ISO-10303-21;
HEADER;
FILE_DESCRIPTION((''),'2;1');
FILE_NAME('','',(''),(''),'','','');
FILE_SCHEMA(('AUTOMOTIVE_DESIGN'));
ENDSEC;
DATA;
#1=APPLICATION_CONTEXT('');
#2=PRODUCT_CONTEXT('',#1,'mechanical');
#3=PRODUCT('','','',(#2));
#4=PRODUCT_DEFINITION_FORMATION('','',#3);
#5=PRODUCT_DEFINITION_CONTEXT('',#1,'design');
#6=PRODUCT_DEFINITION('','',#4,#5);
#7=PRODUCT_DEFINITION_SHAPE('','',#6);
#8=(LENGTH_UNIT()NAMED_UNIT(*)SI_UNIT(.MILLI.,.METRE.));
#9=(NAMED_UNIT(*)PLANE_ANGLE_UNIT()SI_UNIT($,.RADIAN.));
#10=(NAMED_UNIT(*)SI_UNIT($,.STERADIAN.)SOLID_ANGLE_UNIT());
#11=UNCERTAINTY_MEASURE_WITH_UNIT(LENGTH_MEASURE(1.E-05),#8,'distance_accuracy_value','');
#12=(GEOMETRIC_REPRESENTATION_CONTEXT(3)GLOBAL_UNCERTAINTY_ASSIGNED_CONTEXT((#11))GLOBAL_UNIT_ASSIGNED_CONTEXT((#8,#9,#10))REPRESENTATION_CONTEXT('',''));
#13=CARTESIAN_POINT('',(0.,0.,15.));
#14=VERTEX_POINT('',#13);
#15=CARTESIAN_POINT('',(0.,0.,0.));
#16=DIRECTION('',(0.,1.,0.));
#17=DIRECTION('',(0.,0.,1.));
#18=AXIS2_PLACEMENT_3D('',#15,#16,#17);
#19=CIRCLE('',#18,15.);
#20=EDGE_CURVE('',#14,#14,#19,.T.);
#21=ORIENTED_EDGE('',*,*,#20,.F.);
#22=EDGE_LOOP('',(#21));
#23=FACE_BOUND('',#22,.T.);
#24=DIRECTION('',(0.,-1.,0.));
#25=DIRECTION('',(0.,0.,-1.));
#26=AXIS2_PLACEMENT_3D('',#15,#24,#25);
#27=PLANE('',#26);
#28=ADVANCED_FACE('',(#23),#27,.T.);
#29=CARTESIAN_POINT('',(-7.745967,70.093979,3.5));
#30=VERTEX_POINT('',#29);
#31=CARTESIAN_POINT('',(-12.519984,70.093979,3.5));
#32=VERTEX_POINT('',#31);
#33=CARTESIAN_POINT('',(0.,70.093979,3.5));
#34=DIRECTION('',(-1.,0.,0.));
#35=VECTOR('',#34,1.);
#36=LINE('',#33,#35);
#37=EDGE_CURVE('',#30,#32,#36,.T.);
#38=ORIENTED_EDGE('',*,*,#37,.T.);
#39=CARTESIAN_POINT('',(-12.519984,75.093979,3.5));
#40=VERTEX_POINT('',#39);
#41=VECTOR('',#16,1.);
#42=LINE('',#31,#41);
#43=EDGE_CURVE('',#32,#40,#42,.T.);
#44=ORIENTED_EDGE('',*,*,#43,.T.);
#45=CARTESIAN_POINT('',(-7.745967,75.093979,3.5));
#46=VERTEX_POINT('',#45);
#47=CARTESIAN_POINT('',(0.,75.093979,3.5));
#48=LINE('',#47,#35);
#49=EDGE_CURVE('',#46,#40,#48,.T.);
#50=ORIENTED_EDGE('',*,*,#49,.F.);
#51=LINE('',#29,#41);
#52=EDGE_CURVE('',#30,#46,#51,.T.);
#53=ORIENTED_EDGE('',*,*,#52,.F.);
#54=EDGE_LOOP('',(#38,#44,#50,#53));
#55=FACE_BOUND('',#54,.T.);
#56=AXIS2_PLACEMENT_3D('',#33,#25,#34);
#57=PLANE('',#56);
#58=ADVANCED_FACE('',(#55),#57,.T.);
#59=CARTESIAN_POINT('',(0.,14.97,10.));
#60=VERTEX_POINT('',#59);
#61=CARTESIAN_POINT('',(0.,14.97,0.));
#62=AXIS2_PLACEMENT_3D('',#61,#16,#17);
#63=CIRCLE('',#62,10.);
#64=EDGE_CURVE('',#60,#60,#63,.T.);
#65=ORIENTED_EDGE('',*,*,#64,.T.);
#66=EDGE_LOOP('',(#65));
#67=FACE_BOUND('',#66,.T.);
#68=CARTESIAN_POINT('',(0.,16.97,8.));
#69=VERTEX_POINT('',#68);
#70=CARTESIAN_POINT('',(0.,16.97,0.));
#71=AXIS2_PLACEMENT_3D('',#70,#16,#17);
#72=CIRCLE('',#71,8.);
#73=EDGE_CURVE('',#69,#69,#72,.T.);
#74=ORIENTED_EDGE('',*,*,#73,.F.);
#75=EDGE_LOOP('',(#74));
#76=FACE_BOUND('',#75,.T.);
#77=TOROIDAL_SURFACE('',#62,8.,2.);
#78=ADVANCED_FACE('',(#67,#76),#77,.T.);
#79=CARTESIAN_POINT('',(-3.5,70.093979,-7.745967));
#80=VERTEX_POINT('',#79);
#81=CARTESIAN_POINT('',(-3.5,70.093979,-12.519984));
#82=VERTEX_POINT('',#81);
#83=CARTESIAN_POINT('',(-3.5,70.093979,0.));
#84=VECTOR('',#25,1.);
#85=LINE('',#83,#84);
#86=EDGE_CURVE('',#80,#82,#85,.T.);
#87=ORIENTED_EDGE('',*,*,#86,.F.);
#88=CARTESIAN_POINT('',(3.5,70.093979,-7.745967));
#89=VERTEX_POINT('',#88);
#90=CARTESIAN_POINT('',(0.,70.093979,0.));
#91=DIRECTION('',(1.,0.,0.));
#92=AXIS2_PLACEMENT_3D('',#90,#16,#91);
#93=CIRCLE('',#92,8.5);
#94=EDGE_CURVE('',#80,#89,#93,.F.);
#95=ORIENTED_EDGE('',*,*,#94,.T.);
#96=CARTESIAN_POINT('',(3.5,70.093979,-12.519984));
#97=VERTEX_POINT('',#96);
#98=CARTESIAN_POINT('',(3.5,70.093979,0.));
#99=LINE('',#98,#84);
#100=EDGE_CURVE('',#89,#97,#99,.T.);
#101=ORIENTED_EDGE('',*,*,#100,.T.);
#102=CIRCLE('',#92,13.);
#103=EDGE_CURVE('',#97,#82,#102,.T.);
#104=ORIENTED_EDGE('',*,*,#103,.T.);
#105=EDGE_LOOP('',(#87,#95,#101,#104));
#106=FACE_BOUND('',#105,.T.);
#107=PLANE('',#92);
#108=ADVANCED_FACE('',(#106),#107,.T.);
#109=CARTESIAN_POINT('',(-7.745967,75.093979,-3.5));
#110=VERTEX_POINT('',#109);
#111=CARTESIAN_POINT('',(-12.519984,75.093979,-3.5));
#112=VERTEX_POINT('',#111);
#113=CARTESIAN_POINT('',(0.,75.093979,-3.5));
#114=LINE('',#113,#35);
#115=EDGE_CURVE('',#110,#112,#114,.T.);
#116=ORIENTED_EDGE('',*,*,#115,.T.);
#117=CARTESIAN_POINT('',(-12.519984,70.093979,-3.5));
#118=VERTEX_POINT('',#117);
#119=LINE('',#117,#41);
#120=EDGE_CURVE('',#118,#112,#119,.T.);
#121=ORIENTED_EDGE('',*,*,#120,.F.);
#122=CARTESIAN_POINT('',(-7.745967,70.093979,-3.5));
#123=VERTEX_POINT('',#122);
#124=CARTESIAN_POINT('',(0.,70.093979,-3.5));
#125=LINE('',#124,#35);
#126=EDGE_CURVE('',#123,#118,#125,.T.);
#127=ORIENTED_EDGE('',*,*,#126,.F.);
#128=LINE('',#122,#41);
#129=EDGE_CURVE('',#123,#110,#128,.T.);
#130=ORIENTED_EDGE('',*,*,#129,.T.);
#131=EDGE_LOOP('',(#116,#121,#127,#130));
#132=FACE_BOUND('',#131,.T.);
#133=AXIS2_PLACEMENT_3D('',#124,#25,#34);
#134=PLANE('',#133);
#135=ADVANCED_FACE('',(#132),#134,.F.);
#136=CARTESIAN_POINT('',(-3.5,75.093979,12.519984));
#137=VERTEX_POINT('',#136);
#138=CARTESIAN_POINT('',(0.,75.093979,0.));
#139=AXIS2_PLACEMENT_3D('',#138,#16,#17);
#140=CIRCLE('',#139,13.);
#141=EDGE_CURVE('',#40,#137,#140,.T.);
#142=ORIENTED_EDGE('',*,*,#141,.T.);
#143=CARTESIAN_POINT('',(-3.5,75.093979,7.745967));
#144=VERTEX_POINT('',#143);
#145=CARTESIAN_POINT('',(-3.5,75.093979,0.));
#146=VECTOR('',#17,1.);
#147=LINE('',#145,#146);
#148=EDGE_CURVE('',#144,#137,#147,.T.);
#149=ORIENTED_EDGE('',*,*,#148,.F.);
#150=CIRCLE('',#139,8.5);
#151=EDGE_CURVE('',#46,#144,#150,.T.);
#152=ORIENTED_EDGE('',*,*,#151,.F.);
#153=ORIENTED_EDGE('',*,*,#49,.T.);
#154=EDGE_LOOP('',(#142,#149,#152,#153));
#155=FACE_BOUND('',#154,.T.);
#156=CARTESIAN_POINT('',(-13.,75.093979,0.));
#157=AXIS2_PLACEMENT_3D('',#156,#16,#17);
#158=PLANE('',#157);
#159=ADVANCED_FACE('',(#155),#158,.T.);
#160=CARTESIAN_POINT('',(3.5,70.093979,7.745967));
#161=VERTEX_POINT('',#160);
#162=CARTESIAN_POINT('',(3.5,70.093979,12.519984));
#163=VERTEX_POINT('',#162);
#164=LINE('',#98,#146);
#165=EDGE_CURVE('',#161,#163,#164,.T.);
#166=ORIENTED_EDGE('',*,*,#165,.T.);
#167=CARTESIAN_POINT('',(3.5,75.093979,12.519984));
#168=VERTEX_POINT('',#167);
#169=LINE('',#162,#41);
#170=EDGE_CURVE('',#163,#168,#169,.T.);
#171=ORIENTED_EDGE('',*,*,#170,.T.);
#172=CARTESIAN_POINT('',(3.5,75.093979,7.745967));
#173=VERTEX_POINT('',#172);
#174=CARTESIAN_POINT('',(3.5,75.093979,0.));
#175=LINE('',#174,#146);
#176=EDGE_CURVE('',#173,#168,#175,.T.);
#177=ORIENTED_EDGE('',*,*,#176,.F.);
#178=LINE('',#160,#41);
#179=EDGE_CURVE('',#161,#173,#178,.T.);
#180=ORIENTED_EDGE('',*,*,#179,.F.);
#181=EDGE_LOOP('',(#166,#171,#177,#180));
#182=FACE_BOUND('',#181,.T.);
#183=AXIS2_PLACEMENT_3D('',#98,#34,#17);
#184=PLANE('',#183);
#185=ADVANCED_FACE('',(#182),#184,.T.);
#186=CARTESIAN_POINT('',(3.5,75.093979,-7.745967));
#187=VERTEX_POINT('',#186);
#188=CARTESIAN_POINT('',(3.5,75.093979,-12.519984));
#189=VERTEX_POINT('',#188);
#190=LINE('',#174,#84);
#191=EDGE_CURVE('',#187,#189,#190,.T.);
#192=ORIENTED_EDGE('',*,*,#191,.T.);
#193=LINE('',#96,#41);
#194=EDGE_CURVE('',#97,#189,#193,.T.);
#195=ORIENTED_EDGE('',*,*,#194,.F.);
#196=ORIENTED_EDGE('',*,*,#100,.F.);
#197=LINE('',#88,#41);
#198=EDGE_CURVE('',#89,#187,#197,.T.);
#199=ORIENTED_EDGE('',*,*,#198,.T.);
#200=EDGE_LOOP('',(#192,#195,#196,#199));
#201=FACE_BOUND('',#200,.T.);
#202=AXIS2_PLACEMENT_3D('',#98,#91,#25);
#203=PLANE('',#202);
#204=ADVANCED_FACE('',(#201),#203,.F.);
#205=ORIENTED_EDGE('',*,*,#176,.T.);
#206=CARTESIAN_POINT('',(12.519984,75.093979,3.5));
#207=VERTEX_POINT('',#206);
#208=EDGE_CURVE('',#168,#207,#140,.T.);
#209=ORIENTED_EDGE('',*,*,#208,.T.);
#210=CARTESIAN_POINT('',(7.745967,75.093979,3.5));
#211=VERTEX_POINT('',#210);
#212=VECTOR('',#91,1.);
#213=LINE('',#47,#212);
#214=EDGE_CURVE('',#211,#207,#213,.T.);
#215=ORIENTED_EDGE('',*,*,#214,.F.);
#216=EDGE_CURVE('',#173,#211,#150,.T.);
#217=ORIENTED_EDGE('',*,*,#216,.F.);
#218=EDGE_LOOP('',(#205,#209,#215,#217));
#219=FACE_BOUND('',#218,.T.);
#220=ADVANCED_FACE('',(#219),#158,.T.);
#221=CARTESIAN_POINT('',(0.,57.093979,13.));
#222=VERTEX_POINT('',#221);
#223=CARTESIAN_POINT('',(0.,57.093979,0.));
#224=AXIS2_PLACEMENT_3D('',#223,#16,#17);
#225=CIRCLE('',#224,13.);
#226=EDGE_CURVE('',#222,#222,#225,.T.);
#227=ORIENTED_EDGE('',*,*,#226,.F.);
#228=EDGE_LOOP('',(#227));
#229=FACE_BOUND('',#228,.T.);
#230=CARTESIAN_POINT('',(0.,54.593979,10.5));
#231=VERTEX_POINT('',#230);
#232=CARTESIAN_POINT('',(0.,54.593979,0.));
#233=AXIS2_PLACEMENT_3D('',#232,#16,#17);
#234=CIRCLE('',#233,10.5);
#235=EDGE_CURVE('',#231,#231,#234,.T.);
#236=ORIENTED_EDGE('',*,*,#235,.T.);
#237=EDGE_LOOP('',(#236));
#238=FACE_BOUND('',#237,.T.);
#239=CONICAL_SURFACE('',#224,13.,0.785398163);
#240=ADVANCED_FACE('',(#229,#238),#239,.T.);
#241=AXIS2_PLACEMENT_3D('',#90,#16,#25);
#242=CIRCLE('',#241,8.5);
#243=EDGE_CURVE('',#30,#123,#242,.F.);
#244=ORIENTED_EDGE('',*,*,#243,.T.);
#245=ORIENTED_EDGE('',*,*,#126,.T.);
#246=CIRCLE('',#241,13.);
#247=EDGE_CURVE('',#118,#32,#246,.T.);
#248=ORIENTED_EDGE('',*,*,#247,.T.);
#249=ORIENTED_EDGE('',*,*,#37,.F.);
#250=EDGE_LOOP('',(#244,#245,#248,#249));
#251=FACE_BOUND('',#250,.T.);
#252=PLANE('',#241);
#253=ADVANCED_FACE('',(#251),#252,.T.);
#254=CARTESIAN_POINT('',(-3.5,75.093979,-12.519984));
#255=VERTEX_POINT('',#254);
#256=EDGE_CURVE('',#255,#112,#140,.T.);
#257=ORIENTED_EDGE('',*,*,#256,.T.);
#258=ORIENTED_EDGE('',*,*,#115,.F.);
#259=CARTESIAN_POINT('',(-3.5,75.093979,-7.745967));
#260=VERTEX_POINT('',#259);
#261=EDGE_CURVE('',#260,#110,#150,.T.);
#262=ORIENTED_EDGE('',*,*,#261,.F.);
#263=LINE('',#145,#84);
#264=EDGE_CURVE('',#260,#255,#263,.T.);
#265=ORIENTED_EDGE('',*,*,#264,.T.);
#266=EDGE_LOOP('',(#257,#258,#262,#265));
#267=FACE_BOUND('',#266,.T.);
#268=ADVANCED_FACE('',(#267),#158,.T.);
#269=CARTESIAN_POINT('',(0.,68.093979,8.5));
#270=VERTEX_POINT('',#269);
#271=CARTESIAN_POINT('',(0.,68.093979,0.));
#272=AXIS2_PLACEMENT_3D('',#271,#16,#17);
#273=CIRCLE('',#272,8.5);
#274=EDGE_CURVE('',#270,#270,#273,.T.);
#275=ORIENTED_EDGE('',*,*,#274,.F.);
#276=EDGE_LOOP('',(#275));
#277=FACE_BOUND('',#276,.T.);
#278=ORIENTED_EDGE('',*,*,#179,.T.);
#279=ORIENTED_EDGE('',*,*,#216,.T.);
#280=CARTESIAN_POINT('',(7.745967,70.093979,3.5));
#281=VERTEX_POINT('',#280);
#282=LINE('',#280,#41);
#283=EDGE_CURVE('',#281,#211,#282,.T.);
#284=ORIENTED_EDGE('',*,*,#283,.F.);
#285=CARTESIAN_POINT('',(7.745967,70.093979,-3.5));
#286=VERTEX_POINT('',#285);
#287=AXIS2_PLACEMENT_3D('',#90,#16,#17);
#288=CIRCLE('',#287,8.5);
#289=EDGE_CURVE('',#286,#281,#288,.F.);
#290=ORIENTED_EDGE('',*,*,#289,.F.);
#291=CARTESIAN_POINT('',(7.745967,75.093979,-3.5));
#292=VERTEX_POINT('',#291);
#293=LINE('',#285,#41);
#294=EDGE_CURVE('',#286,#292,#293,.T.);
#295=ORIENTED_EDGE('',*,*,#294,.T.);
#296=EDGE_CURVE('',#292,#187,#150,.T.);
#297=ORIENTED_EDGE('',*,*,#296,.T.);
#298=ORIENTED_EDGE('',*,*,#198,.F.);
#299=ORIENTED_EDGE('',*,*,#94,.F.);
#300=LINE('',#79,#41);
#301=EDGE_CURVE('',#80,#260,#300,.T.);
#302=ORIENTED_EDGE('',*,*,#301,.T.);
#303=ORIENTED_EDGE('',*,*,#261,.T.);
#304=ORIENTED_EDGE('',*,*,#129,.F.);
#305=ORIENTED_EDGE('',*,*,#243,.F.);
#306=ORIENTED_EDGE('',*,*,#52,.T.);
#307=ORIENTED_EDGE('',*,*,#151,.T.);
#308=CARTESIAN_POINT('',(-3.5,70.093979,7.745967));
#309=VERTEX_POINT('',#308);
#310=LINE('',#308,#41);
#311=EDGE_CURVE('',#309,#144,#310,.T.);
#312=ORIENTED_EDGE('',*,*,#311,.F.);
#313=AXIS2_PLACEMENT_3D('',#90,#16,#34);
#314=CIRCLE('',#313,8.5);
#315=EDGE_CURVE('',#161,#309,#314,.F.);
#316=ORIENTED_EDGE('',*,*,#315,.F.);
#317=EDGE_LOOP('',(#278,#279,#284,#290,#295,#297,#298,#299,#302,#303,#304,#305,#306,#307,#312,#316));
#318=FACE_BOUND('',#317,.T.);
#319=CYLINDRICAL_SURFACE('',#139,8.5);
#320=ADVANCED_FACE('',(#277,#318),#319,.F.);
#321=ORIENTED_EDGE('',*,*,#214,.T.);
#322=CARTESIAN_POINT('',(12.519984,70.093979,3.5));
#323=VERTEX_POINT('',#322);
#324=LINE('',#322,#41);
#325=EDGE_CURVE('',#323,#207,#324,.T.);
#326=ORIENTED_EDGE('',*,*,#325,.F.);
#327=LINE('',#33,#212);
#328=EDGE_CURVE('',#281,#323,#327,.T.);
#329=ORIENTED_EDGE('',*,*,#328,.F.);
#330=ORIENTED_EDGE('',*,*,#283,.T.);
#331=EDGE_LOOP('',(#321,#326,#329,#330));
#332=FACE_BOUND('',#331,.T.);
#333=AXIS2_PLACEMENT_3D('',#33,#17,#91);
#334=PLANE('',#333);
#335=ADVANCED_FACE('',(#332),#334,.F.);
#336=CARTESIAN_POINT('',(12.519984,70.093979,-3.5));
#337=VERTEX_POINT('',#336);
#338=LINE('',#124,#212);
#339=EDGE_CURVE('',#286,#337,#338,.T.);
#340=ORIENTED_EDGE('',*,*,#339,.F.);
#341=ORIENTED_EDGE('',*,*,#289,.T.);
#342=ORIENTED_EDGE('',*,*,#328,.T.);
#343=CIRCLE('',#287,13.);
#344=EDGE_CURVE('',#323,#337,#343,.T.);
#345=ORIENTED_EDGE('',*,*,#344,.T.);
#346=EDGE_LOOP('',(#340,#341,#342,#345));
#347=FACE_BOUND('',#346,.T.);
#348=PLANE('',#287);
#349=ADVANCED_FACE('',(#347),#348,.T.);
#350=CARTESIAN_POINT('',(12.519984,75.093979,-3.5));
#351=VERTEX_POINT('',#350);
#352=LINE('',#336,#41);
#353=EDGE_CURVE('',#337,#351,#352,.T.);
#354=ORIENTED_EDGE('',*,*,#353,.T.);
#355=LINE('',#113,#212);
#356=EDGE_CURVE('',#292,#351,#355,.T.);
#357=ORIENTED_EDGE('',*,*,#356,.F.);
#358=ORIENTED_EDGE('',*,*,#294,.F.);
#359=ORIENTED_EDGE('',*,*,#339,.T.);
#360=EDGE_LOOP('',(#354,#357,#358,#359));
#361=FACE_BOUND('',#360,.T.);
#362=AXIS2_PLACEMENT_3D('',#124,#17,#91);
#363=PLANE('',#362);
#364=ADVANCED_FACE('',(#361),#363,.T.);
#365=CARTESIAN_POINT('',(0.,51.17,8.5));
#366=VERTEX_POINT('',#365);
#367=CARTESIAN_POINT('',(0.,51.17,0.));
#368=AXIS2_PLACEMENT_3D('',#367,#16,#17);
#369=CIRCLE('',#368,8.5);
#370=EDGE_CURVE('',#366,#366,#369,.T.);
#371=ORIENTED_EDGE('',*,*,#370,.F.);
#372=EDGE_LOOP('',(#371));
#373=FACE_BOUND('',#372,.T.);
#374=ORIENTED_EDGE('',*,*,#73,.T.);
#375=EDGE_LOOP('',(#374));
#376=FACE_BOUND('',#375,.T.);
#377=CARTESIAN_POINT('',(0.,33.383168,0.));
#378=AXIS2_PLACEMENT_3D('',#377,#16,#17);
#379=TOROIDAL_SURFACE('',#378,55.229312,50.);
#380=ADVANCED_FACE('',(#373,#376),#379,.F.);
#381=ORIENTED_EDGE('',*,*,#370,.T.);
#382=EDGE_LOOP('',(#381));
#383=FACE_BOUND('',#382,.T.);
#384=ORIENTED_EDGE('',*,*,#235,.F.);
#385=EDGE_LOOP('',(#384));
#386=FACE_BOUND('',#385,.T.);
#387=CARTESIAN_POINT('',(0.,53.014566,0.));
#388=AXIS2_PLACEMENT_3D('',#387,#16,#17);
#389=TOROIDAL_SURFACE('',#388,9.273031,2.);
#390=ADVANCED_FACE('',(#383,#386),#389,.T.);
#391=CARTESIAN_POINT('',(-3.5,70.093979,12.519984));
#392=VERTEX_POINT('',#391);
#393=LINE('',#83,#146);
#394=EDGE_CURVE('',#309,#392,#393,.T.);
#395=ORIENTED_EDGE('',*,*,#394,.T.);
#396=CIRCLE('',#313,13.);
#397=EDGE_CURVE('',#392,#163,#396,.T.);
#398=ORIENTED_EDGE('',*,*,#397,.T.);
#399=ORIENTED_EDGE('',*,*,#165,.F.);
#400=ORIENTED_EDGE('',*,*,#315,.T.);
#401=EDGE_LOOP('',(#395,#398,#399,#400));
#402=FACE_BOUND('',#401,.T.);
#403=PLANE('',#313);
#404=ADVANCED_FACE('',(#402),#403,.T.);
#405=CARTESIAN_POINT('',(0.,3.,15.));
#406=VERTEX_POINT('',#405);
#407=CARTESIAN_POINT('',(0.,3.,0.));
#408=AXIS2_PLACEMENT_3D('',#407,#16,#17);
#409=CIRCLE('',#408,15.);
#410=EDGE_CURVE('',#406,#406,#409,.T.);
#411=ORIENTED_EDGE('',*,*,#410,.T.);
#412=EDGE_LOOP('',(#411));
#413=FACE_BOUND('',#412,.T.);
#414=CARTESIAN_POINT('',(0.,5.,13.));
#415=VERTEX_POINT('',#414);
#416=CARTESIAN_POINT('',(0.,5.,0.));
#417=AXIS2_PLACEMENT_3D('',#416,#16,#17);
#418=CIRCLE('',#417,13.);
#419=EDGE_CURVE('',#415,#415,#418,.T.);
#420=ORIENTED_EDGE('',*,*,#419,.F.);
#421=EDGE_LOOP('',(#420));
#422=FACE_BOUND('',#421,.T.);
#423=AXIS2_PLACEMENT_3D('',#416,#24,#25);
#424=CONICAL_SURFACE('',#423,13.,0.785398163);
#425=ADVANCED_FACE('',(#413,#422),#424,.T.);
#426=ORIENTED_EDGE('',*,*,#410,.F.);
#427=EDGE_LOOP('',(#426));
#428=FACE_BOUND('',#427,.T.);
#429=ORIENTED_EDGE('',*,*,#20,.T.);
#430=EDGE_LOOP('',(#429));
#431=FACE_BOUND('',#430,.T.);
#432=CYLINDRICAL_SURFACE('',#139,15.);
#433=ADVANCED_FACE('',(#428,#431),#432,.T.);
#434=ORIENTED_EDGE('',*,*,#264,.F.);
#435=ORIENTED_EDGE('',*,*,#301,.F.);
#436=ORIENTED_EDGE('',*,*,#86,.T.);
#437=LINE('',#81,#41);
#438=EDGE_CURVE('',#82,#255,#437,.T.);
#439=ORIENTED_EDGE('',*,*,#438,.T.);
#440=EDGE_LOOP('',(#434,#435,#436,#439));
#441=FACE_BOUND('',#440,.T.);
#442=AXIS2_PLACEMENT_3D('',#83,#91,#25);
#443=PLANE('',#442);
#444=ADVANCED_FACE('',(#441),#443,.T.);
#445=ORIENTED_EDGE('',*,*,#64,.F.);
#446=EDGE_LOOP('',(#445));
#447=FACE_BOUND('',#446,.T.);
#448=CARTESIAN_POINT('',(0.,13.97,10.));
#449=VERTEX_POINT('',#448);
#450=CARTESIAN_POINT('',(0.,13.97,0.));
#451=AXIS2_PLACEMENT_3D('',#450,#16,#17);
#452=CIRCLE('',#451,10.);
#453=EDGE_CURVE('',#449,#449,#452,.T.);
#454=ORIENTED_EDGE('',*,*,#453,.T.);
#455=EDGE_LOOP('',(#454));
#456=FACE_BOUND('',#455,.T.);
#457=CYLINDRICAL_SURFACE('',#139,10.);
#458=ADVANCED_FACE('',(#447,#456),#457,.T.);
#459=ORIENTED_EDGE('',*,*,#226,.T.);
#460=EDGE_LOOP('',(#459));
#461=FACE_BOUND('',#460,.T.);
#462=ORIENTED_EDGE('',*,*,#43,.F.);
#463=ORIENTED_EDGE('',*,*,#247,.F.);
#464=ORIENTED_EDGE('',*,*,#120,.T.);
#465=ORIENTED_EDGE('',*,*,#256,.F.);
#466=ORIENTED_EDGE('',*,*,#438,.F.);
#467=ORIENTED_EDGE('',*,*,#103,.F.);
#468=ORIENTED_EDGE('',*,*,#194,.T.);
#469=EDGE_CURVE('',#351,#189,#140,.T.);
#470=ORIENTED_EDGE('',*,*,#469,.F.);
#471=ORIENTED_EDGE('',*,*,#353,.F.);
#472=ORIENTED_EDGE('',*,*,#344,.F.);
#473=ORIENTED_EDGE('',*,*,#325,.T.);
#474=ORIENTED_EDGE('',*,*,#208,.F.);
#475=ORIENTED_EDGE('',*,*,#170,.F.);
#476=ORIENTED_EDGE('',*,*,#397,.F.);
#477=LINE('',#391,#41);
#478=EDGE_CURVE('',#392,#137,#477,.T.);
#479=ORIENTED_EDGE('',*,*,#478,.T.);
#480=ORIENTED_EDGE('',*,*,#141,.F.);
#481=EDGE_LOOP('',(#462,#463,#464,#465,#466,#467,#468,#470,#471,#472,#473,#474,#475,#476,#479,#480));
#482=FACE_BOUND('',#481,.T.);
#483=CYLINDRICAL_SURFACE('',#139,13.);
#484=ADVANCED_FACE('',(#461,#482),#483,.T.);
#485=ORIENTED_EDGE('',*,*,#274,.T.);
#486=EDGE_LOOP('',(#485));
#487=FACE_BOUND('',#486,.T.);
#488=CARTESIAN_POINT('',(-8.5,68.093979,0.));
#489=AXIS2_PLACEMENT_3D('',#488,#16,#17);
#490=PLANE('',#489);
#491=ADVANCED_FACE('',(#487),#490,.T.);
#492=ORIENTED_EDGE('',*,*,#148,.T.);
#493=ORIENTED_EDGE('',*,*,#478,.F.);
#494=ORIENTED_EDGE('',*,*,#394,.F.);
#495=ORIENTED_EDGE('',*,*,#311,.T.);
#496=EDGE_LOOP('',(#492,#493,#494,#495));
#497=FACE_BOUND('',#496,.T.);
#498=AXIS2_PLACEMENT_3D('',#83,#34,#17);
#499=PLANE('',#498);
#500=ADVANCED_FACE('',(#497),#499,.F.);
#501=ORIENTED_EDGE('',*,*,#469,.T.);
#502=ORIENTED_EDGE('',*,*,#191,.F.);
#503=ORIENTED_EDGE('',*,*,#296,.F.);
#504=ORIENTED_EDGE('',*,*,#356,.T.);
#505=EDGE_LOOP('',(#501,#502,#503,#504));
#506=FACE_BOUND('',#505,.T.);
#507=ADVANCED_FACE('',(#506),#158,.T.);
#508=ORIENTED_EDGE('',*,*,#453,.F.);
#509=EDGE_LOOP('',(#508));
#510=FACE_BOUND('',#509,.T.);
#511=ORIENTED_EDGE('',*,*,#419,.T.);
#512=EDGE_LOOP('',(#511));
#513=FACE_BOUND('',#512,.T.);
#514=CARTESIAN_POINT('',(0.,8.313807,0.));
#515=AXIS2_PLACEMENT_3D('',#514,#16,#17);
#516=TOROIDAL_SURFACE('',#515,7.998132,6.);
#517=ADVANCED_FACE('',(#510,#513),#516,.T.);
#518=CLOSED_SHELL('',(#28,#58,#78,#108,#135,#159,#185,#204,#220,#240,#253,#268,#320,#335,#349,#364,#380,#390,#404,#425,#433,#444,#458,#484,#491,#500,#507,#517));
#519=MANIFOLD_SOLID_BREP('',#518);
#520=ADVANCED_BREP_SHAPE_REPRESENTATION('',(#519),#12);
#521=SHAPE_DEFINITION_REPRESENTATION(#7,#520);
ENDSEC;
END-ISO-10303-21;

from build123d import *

# Parameters (mm, degrees)
CUT_EXTRUDE1_DEPTH = 5
CIRPATTERN1_COUNT  = 4


with BuildPart() as part:
    # Sketch1 → Revolve2 (revolve)
    with BuildSketch(Plane.XY, mode=Mode.PRIVATE) as revolve2_sk:
        with BuildLine():
            Line((0, 0), (-15, 0))
            Line((-15, 0), (-15, 3))
            Line((-15, 3), (-13, 5))
            ThreePointArc((-13, 5), (-13.688325627, 10.216881481), (-10, 13.97))
            Line((-10, 13.97), (-10, 14.97))
            ThreePointArc((-10, 14.97), (-9.414213562, 16.384213562), (-8, 16.97))
            ThreePointArc((-8, 16.97), (-5.234654729, 34.114083995), (-8.5, 51.17))
            ThreePointArc((-8.5, 51.17), (-11, 52.00581604), (-10.5, 54.593979182))
            Line((-10.5, 54.593979182), (-13, 57.093979182))
            Line((-13, 57.093979182), (-13, 75.093979182))
            Line((-13, 75.093979182), (-8.5, 75.093979182))
            Line((-8.5, 75.093979182), (-8.5, 68.093979182))
            Line((-8.5, 68.093979182), (0, 68.093979182))
            Line((0, 68.093979182), (0, 0))
        make_face()
    revolve(revolve2_sk.sketch.rotate(Axis((0, 75.093979182, 0), (0, -1, 0)), 270), axis=Axis((0, 75.093979182, 0), (0, -1, 0)))

    # Sketch2 → Cut-Extrude1 (cut)
    with BuildSketch(Plane(origin=(0, 75.093979182, 0), x_dir=(1, 0, 0), z_dir=(0, 1, 0))):
        with BuildLine():
            ThreePointArc((8.5, 0), (8.309353672, -1.790151267), (7.745966692, -3.5))
            Line((7.745966692, -3.5), (12.519984026, -3.5))
            ThreePointArc((12.519984026, -3.5), (12.879436951, -1.766381565), (13, 0))
            ThreePointArc((13, 0), (12.879436951, 1.766381565), (12.519984026, 3.5))
            Line((12.519984026, 3.5), (7.745966692, 3.5))
            ThreePointArc((7.745966692, 3.5), (8.309353672, 1.790151267), (8.5, 0))
        make_face()
    cut_extrude1 = extrude(amount=-CUT_EXTRUDE1_DEPTH, mode=Mode.SUBTRACT)

    # CirPattern1: Cut-Extrude1 ×4 about axis
    cirpattern1_axis = Axis((0, 0, 0), (0, 1, 0))
    for i in range(1, CIRPATTERN1_COUNT):
        add(cut_extrude1.rotate(cirpattern1_axis, i * 360 / CIRPATTERN1_COUNT), mode=Mode.SUBTRACT)


solid = part.part
